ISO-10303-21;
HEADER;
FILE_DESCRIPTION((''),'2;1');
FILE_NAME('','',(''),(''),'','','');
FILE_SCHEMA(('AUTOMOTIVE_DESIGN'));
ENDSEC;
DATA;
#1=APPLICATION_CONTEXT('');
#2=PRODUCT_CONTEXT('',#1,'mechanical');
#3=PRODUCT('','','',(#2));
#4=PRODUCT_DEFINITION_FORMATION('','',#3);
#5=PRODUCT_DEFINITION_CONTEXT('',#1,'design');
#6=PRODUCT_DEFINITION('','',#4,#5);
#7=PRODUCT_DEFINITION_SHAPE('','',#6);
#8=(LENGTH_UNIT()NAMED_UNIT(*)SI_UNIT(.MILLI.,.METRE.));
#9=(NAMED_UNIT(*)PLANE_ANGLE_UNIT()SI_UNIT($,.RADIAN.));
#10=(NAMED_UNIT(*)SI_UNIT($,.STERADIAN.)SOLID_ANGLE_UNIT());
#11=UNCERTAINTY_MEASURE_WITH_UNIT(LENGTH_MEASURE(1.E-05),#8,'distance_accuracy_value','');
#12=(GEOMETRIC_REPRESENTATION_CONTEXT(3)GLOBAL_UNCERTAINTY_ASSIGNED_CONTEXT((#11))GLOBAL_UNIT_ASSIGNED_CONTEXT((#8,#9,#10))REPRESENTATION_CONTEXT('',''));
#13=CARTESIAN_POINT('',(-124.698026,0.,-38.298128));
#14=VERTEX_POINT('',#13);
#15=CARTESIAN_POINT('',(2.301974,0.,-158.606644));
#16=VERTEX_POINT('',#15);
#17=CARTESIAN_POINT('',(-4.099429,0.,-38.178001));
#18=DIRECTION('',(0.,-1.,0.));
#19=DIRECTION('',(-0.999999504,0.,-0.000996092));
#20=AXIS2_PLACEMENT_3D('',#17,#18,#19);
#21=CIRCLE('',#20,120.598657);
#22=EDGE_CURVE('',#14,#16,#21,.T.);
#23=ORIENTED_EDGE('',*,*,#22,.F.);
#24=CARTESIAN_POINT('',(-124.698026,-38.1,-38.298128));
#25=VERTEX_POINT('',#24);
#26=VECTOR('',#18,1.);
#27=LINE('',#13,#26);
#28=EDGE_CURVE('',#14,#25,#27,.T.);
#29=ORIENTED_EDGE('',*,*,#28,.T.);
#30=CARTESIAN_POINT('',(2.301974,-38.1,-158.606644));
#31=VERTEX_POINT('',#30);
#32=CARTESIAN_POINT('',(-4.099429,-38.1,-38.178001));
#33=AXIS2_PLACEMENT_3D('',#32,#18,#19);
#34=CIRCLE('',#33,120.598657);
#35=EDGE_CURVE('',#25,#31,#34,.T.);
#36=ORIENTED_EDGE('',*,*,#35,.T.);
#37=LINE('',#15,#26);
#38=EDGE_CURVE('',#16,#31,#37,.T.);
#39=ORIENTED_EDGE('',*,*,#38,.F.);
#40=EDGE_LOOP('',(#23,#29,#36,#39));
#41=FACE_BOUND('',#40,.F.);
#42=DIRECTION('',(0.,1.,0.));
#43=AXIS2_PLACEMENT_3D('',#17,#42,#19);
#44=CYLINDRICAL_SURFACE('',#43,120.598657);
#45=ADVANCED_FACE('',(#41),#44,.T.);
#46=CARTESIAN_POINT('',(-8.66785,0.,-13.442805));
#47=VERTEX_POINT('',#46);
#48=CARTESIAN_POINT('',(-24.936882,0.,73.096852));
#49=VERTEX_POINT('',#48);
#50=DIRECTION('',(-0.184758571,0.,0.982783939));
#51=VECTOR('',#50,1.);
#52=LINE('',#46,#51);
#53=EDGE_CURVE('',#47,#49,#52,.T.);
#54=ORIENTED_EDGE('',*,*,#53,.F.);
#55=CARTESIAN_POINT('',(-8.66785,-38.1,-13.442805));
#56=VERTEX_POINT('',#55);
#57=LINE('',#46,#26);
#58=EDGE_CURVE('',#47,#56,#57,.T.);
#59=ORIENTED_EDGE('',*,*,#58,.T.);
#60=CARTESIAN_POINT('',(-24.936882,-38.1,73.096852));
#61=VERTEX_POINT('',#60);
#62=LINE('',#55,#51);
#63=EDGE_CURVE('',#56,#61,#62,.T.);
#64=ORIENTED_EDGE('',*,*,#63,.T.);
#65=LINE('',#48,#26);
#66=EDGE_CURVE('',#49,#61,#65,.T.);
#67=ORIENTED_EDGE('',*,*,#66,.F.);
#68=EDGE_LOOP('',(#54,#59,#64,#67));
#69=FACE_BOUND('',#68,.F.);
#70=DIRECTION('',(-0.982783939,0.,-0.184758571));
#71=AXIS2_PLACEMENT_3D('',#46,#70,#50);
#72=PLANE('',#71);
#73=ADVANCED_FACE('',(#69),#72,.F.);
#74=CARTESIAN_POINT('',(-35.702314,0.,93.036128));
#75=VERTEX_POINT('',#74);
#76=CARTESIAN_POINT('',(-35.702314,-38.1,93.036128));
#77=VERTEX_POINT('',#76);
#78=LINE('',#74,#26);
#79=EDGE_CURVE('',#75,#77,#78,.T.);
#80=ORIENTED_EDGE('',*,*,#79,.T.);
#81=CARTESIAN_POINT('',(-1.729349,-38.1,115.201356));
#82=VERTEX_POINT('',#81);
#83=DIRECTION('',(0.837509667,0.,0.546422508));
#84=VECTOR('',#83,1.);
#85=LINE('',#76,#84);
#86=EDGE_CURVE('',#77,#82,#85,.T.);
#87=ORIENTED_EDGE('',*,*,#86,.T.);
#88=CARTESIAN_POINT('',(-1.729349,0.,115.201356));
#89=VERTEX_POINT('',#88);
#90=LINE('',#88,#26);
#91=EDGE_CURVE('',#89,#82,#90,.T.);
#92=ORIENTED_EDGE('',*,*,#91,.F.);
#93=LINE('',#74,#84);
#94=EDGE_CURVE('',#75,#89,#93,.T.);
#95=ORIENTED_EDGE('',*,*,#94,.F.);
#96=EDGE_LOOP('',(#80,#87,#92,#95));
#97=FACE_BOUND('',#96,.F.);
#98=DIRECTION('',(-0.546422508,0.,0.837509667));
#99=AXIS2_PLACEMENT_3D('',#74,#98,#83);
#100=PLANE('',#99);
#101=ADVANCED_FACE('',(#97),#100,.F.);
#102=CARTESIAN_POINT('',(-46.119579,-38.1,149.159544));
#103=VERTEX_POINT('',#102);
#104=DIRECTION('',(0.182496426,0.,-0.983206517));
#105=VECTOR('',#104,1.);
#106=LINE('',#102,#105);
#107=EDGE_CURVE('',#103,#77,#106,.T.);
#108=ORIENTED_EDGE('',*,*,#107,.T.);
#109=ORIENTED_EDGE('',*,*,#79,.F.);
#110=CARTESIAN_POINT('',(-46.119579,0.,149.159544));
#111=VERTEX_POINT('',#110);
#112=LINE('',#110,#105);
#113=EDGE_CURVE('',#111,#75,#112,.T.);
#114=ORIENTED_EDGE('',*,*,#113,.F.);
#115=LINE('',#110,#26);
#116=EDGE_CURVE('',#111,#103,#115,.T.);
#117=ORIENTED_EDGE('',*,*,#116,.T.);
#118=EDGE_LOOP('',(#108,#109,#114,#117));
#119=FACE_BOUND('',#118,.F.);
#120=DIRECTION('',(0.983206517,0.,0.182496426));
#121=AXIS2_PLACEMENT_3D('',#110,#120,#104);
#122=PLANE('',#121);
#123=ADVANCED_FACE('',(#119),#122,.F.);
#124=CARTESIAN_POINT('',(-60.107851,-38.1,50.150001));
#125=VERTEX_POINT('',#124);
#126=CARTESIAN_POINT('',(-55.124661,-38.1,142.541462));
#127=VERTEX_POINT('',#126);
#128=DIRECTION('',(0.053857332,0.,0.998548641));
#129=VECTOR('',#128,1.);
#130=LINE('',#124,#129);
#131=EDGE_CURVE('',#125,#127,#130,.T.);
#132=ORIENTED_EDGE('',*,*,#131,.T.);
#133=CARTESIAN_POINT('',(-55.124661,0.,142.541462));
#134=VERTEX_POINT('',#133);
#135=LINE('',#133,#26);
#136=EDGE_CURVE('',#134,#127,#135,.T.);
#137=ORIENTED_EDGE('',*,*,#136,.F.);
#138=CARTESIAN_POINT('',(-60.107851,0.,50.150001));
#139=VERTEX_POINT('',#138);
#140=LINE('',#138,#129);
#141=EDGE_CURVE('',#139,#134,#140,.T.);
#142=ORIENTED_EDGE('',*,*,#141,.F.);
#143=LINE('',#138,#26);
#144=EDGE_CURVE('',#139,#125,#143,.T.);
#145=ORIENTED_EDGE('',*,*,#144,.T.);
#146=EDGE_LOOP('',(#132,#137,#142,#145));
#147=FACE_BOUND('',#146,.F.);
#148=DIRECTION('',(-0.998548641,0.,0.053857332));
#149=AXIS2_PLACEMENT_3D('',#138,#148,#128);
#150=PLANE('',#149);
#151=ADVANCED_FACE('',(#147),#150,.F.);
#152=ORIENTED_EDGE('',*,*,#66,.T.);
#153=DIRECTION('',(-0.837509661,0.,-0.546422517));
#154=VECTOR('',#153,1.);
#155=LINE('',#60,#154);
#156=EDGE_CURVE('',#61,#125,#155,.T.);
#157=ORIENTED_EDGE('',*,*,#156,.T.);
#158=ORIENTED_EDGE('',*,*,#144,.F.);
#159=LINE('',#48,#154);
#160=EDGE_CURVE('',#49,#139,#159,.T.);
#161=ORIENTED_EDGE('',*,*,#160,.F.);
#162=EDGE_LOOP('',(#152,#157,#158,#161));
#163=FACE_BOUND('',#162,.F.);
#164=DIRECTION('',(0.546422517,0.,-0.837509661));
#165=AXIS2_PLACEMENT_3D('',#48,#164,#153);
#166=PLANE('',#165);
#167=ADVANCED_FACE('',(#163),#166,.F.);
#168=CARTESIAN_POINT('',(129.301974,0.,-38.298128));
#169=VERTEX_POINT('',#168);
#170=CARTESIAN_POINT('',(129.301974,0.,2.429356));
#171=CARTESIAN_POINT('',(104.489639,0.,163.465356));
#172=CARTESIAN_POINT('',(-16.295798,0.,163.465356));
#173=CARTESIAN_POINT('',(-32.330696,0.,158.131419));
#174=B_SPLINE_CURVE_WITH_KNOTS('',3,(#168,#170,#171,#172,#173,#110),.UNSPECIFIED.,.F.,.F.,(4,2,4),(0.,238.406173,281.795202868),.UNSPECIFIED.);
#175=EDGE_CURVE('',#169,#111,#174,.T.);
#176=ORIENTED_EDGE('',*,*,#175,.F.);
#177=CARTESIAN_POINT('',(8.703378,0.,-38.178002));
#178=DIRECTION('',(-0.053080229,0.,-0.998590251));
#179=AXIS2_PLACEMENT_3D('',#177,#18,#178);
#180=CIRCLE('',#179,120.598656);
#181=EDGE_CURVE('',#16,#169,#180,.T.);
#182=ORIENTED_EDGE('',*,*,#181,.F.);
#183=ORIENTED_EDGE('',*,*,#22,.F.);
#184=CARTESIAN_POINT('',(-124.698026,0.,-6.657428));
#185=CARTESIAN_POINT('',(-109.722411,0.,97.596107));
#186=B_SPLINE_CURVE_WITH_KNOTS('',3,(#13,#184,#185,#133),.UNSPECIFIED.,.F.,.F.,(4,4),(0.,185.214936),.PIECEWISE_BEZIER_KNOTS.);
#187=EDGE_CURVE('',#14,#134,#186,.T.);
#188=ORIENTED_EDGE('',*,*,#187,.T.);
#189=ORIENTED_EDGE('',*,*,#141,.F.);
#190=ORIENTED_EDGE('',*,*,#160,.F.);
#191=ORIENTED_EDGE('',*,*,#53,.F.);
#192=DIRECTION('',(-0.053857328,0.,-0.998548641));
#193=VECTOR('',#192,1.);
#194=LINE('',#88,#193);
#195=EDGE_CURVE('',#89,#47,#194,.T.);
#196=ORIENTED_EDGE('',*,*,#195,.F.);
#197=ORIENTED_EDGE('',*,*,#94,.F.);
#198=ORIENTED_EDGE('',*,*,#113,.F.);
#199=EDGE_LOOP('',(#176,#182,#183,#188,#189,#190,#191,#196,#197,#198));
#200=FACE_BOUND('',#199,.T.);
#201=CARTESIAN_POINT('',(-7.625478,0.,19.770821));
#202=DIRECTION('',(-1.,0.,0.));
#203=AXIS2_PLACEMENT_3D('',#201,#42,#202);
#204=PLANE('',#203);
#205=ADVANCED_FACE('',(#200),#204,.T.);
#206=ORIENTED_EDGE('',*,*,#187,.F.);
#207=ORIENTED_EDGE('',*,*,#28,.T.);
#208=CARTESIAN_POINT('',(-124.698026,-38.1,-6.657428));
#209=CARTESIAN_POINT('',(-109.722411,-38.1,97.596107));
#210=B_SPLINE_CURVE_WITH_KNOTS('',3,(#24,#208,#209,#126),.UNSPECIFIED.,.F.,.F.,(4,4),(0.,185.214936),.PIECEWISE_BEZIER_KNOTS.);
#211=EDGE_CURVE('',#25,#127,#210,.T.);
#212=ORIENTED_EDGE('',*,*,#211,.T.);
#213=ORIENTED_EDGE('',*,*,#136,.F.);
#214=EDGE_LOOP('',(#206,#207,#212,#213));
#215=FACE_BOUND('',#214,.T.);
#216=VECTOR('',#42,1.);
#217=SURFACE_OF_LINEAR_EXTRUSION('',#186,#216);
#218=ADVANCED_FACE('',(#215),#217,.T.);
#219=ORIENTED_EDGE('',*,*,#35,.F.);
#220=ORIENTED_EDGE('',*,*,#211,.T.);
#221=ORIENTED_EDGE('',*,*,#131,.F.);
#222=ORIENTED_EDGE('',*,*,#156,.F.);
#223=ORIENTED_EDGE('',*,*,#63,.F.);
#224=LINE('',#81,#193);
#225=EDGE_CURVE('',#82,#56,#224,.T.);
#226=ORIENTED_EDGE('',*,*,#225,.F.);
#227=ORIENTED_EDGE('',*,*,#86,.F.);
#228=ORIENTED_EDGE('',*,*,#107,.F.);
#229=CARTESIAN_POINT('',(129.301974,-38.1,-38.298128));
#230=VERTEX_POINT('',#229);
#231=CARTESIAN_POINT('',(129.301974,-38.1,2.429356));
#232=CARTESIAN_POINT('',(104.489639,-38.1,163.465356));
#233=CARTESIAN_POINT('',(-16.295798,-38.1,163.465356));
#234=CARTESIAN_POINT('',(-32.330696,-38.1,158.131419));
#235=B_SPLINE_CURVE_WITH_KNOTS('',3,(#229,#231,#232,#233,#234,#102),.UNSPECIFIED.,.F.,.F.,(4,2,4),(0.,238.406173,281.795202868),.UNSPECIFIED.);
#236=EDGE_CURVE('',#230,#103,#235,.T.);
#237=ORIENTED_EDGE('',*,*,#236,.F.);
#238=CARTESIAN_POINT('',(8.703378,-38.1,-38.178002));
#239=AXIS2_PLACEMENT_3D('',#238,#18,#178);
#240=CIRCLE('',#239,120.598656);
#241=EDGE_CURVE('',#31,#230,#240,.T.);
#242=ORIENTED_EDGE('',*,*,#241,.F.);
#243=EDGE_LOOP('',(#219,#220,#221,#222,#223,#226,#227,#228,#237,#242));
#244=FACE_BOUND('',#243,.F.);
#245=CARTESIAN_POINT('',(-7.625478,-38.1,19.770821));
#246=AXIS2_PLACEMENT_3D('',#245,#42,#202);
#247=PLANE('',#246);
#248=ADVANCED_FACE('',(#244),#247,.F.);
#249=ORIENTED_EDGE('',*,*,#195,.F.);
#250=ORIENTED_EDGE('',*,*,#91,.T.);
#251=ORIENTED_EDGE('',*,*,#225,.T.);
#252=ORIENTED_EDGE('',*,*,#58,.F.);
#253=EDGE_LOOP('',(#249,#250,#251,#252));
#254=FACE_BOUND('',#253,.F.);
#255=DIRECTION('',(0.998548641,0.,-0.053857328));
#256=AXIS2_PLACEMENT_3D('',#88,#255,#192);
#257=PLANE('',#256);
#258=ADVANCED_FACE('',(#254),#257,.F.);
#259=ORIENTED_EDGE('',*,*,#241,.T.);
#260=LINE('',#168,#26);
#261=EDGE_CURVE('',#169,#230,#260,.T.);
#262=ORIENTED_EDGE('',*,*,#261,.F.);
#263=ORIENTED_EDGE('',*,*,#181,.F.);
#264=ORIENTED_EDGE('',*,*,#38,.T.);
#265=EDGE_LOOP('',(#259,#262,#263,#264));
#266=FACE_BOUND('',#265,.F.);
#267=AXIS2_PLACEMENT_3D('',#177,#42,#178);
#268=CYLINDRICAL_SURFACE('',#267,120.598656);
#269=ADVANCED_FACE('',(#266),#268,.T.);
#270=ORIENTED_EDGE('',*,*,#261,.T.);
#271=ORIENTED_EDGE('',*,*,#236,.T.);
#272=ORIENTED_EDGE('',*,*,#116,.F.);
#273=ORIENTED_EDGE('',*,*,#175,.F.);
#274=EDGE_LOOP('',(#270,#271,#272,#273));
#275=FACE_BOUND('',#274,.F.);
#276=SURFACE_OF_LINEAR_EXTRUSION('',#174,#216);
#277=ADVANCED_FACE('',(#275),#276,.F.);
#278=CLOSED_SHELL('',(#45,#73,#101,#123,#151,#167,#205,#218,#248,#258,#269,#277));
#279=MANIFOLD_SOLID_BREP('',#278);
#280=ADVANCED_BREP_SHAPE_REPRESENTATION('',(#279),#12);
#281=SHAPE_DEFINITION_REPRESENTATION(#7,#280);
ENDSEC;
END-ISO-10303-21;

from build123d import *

# Parameters (mm, degrees)
F1_DEPTH = 38.1


with BuildPart() as f1:
    # F0 (on Front) → F1 (new body)
    with BuildSketch(Plane.XZ):
        with BuildLine():
            add(Edge.make_bspline(
                [(-124.698026, -38.298128), (-124.698026, -6.657428), (-109.722411, 97.596107), (-55.124661, 142.541462)],
                knots=[0, 0, 0, 0, 185.214936, 185.214936, 185.214936, 185.214936], degree=3))
            ThreePointArc((-124.698026, -38.298128), (-87.037867, -125.729423), (2.301974, -158.606644))
            ThreePointArc((2.301974, -158.606644), (91.641816, -125.729423), (129.301974, -38.298128))
            add(Edge.make_bspline(
                [(129.301974, -38.298128), (129.301974, 2.429356), (104.489639, 163.465356), (2.301974, 163.465356)],
                knots=[0, 0, 0, 0, 238.406173, 238.406173, 238.406173, 238.406173], degree=3))
            add(Edge.make_bspline(
                [(-46.119579, 149.159544), (-32.330696, 158.131419), (-16.295798, 163.465356), (2.301974, 163.465356)],
                knots=[195.017142, 195.017142, 195.017142, 195.017142, 238.406173, 238.406173, 238.406173, 238.406173], degree=3))
            Line((-46.119579, 149.159544), (-35.702314, 93.036128))
            Line((-35.702314, 93.036128), (-1.729349, 115.201356))
            Line((-1.729349, 115.201356), (-8.66785, -13.442805))
            Line((-8.66785, -13.442805), (-24.936882, 73.096852))
            Line((-24.936882, 73.096852), (-60.107851, 50.150001))
            Line((-60.107851, 50.150001), (-55.124661, 142.541462))
        make_face()
    extrude(amount=F1_DEPTH)


solid = f1.part
